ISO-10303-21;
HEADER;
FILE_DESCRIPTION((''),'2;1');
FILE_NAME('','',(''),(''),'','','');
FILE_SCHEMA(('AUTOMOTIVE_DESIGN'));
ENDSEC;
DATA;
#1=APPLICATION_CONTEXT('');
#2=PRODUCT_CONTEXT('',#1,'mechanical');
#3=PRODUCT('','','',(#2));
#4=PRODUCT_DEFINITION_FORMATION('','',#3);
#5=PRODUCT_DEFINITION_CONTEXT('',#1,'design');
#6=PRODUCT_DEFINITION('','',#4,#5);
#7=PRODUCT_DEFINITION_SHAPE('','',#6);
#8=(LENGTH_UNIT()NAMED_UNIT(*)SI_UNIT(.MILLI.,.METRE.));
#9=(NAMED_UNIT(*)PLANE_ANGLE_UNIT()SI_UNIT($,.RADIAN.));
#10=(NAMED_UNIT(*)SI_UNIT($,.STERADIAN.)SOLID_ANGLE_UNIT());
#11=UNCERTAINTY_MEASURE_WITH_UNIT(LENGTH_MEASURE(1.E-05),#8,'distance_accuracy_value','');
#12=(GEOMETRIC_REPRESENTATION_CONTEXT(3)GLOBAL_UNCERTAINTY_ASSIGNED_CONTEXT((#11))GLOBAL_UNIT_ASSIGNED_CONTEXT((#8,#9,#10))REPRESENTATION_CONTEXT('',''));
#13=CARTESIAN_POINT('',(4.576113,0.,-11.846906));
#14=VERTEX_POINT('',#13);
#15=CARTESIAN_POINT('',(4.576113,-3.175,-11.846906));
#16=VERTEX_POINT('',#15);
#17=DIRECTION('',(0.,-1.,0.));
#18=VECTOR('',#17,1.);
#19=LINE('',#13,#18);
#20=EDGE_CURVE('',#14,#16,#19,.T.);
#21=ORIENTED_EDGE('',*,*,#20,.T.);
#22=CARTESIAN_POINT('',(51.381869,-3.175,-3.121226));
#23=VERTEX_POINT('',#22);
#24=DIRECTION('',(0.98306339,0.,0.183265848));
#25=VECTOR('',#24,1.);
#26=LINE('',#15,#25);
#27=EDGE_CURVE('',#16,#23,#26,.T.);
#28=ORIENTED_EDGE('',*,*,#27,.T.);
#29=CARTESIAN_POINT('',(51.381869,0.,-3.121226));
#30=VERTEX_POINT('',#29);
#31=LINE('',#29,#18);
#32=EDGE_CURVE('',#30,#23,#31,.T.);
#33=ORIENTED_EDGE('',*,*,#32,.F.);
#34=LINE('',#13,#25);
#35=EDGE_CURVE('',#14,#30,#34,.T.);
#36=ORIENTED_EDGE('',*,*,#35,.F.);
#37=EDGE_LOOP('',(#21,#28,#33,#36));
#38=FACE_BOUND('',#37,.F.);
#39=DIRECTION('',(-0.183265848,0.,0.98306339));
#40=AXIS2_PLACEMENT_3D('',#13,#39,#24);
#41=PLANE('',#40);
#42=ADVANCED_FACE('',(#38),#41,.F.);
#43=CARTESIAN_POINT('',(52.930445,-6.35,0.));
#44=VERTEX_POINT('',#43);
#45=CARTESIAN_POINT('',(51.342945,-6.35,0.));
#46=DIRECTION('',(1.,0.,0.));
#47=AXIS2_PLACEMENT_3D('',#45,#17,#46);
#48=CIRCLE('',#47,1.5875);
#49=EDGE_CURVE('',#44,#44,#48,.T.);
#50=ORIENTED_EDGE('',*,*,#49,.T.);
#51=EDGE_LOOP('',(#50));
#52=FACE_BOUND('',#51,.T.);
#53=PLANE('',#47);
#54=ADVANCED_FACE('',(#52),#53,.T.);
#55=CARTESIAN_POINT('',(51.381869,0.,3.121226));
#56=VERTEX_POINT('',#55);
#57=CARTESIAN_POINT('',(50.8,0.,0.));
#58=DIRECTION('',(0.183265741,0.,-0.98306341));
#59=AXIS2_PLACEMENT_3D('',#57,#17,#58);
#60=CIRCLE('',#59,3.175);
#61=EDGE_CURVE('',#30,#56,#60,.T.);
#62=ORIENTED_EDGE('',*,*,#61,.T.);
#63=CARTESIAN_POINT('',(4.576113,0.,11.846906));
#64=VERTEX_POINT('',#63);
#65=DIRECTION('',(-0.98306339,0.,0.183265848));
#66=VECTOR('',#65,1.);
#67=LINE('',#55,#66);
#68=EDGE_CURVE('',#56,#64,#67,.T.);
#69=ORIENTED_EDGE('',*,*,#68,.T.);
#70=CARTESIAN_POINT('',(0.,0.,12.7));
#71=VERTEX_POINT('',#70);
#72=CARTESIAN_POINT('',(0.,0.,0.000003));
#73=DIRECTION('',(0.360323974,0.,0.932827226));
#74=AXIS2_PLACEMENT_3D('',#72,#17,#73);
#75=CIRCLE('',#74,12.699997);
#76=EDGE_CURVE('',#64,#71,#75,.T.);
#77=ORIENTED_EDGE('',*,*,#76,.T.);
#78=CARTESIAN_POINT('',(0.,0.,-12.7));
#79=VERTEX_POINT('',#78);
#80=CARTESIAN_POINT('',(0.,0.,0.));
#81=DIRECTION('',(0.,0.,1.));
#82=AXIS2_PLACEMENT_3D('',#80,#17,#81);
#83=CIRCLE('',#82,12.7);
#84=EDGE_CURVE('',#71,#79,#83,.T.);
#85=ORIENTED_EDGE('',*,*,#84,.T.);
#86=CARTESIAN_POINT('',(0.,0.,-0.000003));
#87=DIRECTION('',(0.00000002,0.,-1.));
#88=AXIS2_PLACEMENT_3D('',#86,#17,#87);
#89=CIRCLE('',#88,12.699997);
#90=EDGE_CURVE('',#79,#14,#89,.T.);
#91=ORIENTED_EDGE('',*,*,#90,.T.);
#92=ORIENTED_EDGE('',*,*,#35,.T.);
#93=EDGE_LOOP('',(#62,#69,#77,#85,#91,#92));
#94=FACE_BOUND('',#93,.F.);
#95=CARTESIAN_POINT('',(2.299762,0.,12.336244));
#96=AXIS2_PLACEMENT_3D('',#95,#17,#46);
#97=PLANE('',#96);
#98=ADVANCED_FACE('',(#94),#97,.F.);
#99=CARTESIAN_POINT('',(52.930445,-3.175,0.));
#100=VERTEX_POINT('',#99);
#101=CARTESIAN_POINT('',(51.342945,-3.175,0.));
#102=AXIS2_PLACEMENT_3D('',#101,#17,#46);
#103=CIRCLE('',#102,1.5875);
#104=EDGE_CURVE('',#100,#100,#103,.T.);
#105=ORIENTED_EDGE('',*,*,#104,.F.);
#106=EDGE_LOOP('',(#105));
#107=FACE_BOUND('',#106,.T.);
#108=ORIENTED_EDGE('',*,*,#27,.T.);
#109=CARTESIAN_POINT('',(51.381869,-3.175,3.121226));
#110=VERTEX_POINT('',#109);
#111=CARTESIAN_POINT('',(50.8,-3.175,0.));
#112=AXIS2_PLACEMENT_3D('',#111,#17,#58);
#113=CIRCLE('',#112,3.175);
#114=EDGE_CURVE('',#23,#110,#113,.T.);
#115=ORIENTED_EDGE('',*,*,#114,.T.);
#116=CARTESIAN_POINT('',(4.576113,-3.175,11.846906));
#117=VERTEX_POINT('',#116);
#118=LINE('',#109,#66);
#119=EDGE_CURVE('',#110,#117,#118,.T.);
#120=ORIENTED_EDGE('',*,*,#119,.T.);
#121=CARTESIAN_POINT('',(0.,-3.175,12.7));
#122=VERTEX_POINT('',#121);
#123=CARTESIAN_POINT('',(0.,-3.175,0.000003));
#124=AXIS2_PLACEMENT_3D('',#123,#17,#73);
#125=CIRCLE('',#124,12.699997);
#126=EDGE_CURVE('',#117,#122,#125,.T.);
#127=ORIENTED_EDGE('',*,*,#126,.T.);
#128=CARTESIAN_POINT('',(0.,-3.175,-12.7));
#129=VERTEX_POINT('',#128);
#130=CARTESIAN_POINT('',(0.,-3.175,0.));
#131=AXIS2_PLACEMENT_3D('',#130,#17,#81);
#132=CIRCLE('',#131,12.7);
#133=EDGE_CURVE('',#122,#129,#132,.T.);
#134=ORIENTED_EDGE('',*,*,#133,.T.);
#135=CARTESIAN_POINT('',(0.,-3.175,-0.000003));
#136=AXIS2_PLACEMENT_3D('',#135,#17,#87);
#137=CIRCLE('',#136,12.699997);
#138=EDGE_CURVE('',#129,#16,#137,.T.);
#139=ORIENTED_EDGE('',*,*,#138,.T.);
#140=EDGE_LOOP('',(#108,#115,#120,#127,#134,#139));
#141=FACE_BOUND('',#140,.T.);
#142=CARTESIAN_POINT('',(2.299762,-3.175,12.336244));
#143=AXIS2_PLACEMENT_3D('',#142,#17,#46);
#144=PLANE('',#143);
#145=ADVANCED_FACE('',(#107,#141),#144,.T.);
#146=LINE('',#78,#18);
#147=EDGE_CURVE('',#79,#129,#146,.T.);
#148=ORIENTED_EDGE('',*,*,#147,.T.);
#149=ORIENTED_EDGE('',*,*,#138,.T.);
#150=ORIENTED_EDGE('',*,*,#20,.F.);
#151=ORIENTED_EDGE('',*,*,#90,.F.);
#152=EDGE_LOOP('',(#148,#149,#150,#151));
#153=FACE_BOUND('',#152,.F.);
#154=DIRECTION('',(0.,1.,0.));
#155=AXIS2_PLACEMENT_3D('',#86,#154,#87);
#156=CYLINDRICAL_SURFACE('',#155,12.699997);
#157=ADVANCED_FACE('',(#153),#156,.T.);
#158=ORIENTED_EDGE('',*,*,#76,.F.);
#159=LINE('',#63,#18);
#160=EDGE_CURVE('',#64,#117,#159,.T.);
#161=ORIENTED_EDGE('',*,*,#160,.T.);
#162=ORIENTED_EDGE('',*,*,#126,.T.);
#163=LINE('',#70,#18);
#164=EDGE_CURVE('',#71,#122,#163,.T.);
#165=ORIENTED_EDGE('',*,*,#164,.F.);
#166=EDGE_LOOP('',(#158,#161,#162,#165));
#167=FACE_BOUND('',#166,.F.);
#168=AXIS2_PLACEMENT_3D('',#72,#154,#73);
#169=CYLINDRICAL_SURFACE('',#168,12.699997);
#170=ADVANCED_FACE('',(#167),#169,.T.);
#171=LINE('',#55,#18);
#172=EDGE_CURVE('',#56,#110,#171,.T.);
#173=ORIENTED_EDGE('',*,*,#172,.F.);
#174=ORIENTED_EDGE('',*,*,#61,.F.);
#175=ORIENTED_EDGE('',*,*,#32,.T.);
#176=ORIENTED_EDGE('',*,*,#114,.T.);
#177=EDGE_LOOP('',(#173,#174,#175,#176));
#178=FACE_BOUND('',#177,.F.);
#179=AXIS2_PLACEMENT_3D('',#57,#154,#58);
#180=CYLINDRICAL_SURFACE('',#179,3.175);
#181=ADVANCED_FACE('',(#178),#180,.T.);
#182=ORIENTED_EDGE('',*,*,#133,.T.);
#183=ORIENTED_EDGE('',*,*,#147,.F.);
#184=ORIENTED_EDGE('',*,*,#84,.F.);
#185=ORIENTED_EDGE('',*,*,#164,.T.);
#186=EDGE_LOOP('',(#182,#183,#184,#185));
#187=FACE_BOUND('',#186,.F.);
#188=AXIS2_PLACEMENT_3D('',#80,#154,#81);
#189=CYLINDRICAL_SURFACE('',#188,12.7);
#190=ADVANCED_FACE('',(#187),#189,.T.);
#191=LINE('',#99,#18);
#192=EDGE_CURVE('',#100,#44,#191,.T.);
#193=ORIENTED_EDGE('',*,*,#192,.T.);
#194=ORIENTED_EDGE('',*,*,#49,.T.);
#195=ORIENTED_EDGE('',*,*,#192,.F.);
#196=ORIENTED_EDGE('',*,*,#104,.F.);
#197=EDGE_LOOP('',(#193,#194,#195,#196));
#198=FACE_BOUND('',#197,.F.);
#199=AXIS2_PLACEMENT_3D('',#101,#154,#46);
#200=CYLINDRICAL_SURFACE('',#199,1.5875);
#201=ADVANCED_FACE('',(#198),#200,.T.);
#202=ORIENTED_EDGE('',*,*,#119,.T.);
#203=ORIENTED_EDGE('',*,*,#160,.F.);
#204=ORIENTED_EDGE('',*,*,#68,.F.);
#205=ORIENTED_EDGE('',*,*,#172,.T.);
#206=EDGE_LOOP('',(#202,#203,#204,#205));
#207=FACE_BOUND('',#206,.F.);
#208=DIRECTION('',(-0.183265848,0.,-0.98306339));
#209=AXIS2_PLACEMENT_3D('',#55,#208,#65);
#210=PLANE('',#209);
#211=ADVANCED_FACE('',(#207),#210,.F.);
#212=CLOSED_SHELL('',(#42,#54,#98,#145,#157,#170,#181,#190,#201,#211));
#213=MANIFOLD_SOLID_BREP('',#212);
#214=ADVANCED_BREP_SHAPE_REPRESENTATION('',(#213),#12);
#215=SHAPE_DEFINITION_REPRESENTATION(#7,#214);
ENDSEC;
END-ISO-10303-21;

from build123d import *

# Parameters (mm, degrees)
F1_DEPTH = 3.175
F2_R     = 1.5875
F3_DEPTH = 3.175


with BuildPart() as f1:
    # F0 (on Front) → F1 (new body)
    with BuildSketch(Plane.XZ):
        with BuildLine():
            Line((0, 12.7), (4.576113, 11.846906))
            ThreePointArc((4.576113, 11.846906), (2.327476, 12.484905), (0, 12.7))
        make_face()
        with BuildLine():
            Line((51.381869, 3.121226), (4.576113, 11.846906))
            Line((4.576113, 11.846906), (0, 12.7))
            ThreePointArc((0, 12.7), (-12.7, 0), (0, -12.7))
            Line((0, -12.7), (4.576113, -11.846906))
            Line((4.576113, -11.846906), (51.381869, -3.121226))
            ThreePointArc((51.381869, -3.121226), (53.975, 0), (51.381869, 3.121226))
        make_face()
        with BuildLine():
            Line((4.576113, -11.846906), (0, -12.7))
            ThreePointArc((0, -12.7), (2.327476, -12.484905), (4.576113, -11.846906))
        make_face()
    extrude(amount=F1_DEPTH)

    # F2 (on face) → F3 (join)
    with BuildSketch(Plane.XZ.offset(3.175)):
        with Locations((51.342945, 0)):
            Circle(F2_R)
    extrude(amount=F3_DEPTH)


solid = f1.part
